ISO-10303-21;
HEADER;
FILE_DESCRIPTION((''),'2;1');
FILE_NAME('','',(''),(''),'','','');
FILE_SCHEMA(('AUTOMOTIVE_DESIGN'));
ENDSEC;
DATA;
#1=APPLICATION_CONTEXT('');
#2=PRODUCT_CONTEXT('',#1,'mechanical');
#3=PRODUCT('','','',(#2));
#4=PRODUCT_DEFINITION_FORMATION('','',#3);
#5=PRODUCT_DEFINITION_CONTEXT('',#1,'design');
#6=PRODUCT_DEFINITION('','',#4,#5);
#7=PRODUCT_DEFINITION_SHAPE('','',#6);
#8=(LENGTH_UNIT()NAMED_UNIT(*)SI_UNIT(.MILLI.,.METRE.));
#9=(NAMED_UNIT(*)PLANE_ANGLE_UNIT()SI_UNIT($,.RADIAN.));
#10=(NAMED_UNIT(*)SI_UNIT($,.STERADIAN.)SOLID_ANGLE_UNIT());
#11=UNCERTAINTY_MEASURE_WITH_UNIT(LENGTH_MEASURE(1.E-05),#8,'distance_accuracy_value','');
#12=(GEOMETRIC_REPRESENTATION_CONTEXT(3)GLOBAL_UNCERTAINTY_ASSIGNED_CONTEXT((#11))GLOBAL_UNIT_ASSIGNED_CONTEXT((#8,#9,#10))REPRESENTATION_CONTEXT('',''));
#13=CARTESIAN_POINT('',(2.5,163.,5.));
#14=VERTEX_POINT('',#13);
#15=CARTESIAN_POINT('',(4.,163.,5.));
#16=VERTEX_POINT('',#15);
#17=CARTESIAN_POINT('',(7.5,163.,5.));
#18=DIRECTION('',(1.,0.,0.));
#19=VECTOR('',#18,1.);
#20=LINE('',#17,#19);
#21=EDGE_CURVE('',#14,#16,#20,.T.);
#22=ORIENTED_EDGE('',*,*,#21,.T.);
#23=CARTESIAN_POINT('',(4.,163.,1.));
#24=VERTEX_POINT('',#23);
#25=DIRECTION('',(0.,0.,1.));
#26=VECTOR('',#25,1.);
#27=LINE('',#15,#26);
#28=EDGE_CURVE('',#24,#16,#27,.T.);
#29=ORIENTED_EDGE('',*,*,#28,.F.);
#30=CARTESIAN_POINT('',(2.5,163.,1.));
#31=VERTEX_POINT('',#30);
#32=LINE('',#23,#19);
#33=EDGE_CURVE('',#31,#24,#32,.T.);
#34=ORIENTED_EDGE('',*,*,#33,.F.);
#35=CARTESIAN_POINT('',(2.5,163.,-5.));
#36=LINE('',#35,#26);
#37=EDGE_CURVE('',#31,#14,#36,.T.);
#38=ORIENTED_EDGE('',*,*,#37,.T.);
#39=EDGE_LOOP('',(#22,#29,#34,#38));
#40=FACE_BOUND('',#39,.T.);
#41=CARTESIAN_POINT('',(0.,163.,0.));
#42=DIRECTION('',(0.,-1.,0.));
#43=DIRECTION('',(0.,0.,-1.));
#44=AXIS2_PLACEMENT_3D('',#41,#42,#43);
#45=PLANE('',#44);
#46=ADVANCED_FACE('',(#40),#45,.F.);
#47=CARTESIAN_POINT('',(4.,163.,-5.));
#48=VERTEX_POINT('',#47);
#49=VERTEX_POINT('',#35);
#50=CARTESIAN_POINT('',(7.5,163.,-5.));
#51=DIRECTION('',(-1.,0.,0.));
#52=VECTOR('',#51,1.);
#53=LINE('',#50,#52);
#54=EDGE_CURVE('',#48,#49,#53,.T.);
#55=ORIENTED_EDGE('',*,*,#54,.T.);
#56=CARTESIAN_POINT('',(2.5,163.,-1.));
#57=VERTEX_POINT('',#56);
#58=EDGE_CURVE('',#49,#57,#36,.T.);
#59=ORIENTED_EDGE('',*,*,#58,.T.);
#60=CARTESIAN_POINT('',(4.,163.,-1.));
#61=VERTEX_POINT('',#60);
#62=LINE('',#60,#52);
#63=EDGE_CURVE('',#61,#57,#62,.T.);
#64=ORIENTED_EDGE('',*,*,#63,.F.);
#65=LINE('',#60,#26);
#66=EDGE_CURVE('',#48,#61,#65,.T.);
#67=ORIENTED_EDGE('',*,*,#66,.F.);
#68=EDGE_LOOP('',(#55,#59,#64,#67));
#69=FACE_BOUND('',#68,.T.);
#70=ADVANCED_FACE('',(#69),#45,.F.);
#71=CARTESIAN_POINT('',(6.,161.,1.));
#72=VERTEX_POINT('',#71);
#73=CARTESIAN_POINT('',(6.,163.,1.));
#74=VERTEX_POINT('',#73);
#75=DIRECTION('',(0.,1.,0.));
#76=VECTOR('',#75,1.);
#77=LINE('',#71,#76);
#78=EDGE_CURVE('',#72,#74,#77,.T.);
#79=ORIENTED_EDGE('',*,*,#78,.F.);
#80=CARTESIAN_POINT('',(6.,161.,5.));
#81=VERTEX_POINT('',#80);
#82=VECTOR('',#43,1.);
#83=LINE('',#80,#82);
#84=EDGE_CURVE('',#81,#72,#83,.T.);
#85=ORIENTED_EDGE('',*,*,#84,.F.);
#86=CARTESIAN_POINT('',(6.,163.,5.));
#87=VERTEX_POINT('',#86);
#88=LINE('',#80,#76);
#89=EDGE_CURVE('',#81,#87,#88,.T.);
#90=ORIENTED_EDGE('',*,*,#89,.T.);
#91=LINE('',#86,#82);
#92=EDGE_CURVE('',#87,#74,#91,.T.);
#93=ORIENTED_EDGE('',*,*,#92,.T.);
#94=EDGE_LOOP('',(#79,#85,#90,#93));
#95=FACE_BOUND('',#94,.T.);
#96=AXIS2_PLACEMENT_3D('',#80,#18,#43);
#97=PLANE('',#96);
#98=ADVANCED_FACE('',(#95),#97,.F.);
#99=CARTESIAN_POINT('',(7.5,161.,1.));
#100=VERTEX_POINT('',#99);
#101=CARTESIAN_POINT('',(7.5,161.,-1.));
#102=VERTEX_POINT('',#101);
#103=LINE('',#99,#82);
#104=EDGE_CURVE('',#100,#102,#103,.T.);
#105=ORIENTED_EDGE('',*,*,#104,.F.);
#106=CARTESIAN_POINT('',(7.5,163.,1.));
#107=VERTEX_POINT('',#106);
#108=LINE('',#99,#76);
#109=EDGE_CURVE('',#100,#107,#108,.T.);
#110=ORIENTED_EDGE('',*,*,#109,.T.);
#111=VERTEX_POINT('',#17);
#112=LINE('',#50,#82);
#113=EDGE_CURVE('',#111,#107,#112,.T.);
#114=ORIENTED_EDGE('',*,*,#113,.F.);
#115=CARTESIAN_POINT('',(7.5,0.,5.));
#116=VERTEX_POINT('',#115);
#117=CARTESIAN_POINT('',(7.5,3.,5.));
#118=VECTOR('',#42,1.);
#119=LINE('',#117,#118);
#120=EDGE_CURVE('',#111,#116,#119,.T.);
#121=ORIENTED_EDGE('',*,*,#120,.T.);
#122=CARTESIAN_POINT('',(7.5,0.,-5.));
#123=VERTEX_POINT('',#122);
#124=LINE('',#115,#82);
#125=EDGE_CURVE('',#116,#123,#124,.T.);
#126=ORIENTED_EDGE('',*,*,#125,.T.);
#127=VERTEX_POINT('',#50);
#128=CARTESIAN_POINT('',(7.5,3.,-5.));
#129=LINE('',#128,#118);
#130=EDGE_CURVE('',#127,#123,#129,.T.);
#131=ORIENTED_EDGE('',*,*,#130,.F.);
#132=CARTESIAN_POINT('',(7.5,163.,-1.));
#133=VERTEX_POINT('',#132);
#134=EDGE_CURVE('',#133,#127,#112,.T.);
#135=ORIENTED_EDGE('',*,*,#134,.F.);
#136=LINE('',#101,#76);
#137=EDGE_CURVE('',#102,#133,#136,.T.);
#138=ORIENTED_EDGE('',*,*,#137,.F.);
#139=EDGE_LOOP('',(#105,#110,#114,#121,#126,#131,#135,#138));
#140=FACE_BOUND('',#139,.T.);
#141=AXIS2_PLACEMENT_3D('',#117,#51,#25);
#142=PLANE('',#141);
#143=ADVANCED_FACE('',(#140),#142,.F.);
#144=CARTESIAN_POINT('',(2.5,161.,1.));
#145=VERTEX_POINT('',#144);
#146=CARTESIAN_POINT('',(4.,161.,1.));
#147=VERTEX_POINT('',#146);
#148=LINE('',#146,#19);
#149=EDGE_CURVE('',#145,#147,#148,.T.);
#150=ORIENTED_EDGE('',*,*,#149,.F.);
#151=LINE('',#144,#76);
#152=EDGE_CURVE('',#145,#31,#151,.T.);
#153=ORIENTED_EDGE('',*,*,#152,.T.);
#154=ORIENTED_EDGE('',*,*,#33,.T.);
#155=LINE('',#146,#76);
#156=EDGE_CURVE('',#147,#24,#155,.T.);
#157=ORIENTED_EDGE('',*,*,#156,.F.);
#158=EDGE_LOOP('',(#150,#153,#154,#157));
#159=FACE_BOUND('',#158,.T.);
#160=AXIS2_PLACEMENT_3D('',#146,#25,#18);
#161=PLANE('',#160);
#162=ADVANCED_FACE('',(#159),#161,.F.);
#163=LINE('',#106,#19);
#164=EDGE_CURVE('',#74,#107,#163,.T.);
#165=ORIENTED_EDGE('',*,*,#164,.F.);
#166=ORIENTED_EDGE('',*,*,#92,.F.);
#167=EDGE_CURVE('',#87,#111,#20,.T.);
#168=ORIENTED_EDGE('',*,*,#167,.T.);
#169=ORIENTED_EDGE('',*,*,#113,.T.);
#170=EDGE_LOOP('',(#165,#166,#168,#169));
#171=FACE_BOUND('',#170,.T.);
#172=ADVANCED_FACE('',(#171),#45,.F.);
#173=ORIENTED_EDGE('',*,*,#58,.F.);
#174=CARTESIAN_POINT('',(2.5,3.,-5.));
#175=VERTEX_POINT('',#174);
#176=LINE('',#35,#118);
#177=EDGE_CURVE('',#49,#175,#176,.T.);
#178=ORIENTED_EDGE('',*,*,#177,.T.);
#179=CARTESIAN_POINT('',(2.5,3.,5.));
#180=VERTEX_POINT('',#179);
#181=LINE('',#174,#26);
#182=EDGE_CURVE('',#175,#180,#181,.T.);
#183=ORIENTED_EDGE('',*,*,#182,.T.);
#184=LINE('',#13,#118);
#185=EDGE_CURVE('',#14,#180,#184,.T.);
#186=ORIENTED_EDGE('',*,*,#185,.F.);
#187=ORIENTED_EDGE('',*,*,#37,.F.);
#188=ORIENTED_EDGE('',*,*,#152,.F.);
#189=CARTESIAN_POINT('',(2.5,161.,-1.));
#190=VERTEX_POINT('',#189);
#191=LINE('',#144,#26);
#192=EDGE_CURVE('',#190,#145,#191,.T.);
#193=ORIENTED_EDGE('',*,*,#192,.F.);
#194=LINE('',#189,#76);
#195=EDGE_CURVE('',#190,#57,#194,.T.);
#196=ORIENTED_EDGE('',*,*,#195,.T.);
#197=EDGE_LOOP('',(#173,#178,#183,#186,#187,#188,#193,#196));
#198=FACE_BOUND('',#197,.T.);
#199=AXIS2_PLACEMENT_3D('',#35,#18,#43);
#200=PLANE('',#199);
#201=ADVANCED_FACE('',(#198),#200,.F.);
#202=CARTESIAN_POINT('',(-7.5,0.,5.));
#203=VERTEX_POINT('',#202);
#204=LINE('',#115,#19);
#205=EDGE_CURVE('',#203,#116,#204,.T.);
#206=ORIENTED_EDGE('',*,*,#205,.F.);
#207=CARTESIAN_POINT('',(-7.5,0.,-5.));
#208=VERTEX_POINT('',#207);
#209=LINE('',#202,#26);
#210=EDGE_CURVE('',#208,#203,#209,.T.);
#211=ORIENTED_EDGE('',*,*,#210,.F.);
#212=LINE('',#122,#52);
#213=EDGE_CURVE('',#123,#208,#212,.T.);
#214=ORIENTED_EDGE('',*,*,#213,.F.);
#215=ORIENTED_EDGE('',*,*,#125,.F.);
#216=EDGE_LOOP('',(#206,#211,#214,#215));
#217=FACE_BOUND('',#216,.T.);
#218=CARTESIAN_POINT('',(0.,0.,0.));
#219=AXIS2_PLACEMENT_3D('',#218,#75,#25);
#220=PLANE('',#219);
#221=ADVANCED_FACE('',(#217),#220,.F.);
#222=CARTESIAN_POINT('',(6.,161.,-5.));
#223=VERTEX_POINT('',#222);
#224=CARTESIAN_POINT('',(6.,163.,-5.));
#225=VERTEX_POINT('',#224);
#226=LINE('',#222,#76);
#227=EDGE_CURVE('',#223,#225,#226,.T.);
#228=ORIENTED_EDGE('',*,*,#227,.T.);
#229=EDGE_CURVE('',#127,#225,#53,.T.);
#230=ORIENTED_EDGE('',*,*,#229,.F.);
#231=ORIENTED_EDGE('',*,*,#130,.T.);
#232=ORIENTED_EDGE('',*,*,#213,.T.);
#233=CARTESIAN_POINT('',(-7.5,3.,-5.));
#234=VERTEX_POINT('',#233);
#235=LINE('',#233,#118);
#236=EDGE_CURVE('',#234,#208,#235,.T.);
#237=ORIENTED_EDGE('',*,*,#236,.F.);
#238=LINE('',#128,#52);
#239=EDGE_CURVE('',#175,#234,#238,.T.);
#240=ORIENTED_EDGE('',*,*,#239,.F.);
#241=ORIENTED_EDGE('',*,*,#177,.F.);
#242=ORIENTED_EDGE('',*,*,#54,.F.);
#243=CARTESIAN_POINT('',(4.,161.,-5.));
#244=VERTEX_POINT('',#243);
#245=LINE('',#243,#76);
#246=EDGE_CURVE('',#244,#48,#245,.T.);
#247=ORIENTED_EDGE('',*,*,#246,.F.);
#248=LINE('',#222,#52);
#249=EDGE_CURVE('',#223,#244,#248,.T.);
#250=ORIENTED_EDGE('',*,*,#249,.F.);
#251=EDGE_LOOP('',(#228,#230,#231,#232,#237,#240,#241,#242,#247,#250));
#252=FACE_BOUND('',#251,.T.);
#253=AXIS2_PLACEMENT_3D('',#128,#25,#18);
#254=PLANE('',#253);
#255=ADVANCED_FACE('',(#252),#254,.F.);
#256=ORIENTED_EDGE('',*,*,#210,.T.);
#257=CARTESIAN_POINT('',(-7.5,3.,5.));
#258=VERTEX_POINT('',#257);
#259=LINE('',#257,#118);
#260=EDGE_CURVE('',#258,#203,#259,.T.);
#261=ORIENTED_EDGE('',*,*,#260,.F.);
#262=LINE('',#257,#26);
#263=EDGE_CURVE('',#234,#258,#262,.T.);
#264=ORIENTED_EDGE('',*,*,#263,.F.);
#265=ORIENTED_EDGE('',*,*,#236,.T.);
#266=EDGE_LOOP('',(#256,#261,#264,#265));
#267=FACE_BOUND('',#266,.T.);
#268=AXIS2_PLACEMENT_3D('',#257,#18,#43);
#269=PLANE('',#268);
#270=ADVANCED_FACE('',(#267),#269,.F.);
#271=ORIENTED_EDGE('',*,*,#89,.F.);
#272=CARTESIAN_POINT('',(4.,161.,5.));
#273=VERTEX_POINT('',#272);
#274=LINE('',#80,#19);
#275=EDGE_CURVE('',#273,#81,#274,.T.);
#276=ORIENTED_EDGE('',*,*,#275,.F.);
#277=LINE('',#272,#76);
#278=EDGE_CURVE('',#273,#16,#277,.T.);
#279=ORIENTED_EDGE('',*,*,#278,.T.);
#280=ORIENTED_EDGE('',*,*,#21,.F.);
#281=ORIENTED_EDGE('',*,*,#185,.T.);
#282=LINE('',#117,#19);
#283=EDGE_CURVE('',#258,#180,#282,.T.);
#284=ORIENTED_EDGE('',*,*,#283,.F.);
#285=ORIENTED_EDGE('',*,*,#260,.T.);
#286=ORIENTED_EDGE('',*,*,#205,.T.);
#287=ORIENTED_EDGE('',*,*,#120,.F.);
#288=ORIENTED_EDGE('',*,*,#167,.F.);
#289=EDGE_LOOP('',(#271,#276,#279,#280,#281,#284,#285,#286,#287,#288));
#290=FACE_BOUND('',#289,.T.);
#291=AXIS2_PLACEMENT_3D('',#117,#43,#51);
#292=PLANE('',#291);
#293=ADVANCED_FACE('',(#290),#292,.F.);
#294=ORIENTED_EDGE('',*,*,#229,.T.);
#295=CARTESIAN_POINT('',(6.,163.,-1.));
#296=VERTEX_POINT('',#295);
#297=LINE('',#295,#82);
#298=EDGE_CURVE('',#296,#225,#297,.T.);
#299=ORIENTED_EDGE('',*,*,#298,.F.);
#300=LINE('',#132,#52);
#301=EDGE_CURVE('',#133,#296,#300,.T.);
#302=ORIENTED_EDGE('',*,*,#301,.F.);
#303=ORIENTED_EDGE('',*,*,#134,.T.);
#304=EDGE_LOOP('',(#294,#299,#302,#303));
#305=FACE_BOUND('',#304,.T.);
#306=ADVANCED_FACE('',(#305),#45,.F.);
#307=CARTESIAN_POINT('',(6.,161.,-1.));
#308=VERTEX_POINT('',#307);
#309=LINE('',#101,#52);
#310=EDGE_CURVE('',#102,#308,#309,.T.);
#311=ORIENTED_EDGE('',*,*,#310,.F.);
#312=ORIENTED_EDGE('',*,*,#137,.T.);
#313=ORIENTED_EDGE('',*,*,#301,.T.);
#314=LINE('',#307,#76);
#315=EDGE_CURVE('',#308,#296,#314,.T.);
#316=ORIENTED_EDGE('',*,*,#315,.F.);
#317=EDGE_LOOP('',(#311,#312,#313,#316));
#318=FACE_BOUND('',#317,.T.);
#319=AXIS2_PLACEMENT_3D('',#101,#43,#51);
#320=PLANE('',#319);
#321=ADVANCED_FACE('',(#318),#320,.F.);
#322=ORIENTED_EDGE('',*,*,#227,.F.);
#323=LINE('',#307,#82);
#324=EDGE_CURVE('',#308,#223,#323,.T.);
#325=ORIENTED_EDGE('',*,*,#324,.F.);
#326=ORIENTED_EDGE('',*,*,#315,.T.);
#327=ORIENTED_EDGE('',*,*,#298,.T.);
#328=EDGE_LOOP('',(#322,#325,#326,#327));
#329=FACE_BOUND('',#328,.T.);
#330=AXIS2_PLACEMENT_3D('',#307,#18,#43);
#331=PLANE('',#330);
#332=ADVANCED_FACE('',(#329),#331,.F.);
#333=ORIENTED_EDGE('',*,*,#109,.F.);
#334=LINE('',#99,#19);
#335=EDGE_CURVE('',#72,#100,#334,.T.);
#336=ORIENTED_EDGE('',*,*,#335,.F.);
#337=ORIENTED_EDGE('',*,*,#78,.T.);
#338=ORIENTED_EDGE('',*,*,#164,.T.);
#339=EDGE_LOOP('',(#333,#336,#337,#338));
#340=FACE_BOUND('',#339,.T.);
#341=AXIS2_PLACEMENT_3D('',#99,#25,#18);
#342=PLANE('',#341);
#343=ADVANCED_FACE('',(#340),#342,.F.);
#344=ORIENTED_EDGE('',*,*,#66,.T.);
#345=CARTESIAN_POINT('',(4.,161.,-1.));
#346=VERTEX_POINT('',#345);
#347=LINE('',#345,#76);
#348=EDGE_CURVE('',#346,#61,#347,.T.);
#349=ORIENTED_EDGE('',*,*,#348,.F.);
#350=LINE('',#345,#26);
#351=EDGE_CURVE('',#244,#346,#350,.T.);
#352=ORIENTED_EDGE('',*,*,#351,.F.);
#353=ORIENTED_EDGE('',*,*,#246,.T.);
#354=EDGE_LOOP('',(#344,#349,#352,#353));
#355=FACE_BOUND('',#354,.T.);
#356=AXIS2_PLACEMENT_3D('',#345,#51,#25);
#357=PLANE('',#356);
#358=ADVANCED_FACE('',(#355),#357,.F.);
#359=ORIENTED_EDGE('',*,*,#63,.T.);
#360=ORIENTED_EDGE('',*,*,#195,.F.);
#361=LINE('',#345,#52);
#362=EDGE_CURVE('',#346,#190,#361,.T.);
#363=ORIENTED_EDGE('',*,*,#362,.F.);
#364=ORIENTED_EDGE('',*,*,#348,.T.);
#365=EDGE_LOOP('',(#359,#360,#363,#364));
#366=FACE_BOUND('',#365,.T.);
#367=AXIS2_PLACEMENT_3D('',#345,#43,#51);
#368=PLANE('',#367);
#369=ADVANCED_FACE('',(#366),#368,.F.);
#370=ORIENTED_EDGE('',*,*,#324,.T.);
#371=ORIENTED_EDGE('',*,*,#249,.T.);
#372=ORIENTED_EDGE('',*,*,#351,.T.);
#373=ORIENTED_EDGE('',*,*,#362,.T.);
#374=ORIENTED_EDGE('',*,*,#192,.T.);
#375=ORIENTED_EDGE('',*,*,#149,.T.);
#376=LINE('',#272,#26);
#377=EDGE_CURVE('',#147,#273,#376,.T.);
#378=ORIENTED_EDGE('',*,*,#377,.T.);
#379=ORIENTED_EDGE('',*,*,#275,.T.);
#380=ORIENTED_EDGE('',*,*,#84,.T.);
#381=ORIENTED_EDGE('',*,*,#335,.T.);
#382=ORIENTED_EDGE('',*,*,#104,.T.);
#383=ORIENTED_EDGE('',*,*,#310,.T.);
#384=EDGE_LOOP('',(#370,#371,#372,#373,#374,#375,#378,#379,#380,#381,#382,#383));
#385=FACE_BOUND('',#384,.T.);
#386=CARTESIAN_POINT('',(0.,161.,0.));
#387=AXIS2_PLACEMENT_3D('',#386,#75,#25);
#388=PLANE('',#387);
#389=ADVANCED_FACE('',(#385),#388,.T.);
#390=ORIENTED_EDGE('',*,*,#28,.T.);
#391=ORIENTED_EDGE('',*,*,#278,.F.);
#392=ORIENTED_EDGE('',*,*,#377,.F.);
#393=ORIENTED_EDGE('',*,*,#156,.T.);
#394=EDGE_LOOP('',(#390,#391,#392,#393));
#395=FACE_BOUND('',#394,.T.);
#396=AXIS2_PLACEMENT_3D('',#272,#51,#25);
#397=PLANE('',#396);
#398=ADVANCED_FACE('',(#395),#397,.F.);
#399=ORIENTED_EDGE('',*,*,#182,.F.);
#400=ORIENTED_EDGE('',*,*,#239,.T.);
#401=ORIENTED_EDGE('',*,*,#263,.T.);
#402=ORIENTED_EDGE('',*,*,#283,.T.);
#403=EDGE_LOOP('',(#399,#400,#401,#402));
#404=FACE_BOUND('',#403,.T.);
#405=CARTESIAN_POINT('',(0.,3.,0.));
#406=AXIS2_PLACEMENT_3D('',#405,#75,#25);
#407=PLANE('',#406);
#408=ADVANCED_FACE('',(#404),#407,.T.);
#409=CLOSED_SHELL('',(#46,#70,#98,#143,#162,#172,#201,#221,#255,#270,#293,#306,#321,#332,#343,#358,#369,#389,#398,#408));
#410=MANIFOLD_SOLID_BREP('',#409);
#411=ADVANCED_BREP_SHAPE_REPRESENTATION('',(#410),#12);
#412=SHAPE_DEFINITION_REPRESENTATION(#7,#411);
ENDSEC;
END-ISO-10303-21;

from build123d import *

# Parameters (mm, degrees)
SKETCH1_W           = 15
SKETCH1_H           = 10
BOSS_EXTRUDE1_DEPTH = 3
SKETCH2_W           = 5
SKETCH2_H           = 10
BOSS_EXTRUDE2_DEPTH = 160
CUT_EXTRUDE1_DEPTH  = 2


with BuildPart() as part:
    # Sketch1 → Boss-Extrude1 (new body)
    with BuildSketch(Plane(origin=(0, 0, 0), x_dir=(1, 0, 0), z_dir=(0, 1, 0))):
        Rectangle(SKETCH1_W, SKETCH1_H)
    extrude(amount=BOSS_EXTRUDE1_DEPTH)

    # Sketch2 → Boss-Extrude2 (add)
    with BuildSketch(Plane(origin=(0, 3, 0), x_dir=(1, 0, 0), z_dir=(0, 1, 0))):
        with Locations((5, 0)):
            Rectangle(SKETCH2_W, SKETCH2_H)
    extrude(amount=BOSS_EXTRUDE2_DEPTH)

    # Sketch3 → Cut-Extrude1 (cut)
    with BuildSketch(Plane(origin=(0, 163, 0), x_dir=(1, 0, 0), z_dir=(0, 1, 0))):
        Polygon((4, -1), (2.5, -1), (2.5, 1), (4, 1), (4, 5), (6, 5), (6, 1), (7.5, 1), (7.5, -1), (6, -1), (6, -5), (4, -5), align=None)
    extrude(amount=-CUT_EXTRUDE1_DEPTH, mode=Mode.SUBTRACT)


solid = part.part
